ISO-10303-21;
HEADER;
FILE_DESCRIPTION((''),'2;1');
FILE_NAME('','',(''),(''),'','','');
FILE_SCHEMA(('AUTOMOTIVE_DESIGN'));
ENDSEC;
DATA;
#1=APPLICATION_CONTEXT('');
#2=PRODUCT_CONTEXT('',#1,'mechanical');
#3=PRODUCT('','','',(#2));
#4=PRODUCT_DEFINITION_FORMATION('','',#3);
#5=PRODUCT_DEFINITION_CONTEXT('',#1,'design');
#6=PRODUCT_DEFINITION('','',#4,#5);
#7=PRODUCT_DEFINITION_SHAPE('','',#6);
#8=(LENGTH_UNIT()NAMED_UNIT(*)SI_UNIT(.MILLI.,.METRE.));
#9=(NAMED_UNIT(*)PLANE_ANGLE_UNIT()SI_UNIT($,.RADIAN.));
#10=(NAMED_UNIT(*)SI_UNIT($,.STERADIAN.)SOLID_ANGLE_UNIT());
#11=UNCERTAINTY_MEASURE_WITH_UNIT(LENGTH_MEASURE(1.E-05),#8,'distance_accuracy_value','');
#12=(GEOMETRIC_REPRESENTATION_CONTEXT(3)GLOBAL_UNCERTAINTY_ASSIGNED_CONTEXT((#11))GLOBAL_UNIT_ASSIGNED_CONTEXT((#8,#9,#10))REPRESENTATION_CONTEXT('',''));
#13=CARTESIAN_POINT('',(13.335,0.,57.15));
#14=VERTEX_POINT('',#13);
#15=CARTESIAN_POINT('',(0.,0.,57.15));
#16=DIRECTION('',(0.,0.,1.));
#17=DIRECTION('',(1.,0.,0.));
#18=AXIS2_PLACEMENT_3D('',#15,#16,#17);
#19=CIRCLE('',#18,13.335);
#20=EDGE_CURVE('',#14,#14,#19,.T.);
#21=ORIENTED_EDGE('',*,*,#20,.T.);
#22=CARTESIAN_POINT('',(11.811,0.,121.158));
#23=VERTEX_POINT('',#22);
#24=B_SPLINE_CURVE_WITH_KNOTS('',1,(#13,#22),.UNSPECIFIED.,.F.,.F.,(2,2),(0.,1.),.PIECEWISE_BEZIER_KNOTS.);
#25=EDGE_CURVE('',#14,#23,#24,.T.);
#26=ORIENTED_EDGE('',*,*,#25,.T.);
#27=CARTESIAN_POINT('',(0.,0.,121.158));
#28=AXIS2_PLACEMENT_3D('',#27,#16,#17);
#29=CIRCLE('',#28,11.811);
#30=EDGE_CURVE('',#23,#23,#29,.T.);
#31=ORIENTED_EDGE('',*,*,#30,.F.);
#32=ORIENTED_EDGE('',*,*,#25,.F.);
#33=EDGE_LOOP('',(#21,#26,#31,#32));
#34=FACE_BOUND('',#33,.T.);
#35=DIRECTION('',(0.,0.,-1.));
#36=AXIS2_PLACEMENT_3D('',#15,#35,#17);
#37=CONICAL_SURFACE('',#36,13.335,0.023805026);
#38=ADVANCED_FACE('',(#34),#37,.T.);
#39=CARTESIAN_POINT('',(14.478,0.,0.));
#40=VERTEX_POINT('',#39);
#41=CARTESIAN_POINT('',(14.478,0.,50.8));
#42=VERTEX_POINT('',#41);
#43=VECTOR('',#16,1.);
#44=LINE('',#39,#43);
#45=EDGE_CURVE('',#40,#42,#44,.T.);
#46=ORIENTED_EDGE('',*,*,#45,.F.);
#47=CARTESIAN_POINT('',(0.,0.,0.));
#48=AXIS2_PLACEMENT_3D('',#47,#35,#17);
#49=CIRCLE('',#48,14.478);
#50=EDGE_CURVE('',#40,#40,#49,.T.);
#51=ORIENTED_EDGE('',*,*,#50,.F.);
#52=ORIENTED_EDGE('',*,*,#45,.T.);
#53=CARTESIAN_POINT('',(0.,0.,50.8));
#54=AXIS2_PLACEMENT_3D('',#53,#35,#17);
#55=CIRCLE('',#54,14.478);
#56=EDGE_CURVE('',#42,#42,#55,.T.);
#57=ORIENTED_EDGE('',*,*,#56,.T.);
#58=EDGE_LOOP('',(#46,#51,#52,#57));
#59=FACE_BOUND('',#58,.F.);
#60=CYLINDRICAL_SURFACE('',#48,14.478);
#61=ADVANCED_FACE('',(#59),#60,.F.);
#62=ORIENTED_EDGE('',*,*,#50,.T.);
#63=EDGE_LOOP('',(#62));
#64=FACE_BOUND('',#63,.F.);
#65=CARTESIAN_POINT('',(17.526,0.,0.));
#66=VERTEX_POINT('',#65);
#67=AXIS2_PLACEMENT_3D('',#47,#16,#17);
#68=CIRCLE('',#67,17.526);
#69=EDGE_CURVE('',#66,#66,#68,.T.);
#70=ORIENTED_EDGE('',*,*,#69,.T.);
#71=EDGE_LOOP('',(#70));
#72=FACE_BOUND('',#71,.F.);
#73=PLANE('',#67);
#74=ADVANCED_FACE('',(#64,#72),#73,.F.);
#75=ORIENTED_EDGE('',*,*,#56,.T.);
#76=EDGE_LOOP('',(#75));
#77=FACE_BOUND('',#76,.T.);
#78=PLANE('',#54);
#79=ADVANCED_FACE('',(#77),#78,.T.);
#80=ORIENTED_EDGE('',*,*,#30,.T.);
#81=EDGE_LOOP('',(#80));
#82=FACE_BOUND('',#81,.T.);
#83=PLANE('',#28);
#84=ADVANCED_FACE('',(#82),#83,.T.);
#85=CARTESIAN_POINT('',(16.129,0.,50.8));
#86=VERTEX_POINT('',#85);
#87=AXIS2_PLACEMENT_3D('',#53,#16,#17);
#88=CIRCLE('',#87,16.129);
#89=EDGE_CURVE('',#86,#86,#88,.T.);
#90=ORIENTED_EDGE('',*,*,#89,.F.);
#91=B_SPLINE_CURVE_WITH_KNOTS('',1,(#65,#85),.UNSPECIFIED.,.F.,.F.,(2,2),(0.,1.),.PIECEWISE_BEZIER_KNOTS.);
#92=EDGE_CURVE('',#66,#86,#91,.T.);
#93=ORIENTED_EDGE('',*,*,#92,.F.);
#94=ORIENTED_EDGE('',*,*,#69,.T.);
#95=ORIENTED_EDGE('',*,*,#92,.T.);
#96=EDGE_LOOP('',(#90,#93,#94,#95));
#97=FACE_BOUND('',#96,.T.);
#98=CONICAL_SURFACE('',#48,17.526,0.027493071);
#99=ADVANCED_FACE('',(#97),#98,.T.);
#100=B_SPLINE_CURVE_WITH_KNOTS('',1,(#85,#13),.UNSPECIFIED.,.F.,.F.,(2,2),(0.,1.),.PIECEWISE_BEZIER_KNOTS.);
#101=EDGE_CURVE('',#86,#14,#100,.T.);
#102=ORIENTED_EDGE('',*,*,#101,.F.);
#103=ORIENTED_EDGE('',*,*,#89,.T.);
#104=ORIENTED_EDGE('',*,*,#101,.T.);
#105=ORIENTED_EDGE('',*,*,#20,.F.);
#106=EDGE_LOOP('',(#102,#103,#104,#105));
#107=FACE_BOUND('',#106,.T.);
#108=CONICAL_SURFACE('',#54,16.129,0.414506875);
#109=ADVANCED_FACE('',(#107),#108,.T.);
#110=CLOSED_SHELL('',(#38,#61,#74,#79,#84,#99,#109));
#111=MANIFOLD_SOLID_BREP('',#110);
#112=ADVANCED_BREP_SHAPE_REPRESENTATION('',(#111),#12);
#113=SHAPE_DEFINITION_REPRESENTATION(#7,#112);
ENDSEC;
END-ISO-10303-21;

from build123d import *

# Parameters (mm, degrees)
F0_R      = 17.526
F2_R      = 16.129
F3_FACE_R = 16.129
F5_R      = 13.335
F6_FACE_R = 13.335
F8_R      = 11.811
F10_R     = 14.478
F11_DEPTH = 50.8


with BuildPart() as f3:
    # F0 (on Top) → F3 section 0
    with BuildSketch(Plane.XY):
        Circle(F0_R)
    # F2 (on offset) → F3 section 1
    with BuildSketch(Plane.XY.offset(50.8)):
        Circle(F2_R)
    loft()

    # F3_face (on face) → F6 section 0
    with BuildSketch(Plane.XY.offset(50.8)):
        Circle(F3_FACE_R)
    # F5 (on offset) → F6 section 1
    with BuildSketch(Plane.XY.offset(57.15)):
        Circle(F5_R)
    loft()

    # F6_face (on face) → F9 section 0
    with BuildSketch(Plane.XY.offset(57.15)):
        Circle(F6_FACE_R)
    # F8 (on offset) → F9 section 1
    with BuildSketch(Plane.XY.offset(121.158)):
        Circle(F8_R)
    loft()

    # F10 (on face) → F11 (cut)
    with BuildSketch(Plane(origin=(0, 0, 0), x_dir=(1, 0, 0), z_dir=(0, 0, -1))):
        Circle(F10_R)
    extrude(amount=-F11_DEPTH, mode=Mode.SUBTRACT)


solid = f3.part
